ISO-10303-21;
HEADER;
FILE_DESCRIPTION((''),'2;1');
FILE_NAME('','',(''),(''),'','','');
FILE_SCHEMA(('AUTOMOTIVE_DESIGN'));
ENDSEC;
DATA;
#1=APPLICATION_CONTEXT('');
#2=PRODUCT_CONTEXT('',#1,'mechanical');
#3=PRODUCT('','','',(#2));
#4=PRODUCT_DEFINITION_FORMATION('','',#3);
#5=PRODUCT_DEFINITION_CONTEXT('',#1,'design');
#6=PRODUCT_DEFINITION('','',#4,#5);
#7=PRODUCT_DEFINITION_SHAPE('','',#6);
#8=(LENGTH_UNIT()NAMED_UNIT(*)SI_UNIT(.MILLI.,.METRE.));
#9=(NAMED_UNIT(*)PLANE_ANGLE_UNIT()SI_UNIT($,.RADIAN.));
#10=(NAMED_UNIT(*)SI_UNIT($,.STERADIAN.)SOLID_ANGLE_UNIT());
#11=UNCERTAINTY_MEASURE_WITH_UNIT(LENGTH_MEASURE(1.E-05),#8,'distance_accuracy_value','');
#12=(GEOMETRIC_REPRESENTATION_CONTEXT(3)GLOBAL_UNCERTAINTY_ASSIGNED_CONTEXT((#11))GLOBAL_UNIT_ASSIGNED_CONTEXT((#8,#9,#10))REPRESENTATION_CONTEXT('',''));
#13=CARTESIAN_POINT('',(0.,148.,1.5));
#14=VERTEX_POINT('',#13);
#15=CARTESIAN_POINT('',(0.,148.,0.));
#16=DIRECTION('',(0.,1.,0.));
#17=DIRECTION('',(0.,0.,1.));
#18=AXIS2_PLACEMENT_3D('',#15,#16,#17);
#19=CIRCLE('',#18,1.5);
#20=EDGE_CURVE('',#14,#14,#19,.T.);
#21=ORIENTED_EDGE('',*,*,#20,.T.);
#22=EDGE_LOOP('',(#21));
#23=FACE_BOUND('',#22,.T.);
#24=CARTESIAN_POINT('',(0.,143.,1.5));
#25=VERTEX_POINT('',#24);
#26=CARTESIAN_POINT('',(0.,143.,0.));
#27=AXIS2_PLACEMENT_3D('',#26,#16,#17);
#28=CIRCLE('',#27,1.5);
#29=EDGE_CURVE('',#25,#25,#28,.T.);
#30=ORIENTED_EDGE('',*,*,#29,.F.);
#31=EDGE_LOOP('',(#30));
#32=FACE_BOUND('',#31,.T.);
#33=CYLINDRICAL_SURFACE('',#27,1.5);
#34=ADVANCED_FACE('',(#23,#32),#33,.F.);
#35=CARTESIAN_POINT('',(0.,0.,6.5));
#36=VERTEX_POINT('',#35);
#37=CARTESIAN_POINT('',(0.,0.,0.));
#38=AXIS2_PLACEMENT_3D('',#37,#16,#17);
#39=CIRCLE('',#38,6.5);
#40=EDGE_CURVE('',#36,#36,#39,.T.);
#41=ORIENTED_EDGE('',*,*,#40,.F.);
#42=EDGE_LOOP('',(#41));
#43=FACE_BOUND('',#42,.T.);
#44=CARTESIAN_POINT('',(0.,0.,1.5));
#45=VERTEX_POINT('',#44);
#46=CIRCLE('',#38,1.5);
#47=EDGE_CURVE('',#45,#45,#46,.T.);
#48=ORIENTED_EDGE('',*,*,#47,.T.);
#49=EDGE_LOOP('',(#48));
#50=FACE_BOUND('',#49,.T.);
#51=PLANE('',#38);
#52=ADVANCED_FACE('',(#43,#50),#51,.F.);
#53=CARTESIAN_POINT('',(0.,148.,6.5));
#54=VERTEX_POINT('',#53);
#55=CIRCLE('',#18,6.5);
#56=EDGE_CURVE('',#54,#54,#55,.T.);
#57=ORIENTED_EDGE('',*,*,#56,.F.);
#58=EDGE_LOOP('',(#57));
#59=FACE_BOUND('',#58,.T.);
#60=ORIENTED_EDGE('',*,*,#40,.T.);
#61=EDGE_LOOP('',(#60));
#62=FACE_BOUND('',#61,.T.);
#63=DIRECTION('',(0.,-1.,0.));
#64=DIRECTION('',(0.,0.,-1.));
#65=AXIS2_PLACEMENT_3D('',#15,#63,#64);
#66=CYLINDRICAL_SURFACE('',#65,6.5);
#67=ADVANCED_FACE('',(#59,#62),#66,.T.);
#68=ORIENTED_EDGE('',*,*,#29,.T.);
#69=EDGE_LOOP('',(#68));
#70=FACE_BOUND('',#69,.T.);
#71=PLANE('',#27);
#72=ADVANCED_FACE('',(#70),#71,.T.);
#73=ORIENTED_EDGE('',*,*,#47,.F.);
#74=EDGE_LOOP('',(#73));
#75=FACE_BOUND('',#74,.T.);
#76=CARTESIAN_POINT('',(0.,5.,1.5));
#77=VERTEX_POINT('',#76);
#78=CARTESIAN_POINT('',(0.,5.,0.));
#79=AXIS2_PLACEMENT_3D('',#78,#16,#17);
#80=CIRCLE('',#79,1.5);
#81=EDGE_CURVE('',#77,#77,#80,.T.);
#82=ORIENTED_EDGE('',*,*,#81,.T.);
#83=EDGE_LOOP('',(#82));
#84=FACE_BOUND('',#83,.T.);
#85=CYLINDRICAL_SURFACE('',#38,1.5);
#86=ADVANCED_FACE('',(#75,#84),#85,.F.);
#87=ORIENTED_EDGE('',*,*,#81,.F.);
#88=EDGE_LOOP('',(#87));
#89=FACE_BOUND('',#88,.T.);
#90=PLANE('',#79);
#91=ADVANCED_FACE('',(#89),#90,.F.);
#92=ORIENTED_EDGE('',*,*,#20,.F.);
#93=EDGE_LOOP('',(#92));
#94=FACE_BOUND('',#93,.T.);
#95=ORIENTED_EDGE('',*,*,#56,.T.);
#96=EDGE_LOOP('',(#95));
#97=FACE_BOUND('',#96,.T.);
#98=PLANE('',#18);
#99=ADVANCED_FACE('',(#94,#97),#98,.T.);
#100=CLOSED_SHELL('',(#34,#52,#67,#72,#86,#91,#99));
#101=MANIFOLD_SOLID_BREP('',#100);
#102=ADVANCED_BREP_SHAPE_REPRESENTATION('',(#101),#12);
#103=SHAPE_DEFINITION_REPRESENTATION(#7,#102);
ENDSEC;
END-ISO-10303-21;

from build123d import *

# Parameters (mm, degrees)
SKETCH1_R           = 6.5
BOSS_EXTRUDE1_DEPTH = 148
SKETCH2_R           = 1.5
CUT_EXTRUDE1_DEPTH  = 5
LPATTERN1_COUNT     = 2
LPATTERN1_PITCH     = 143


with BuildPart() as part:
    # Sketch1 → Boss-Extrude1 (new body)
    with BuildSketch(Plane(origin=(0, 0, 0), x_dir=(1, 0, 0), z_dir=(0, 1, 0))):
        with Locations(Location((0, 0, 0), (0, 0, 270))):
            Circle(SKETCH1_R)
    extrude(amount=BOSS_EXTRUDE1_DEPTH)

    # Sketch2 → Cut-Extrude1 (cut)
    with BuildSketch(Plane(origin=(0, 148, 0), x_dir=(1, 0, 0), z_dir=(0, 1, 0))):
        with Locations(Location((0, 0, 0), (0, 0, 270))):
            Circle(SKETCH2_R)
    cut_extrude1 = extrude(amount=-CUT_EXTRUDE1_DEPTH, mode=Mode.SUBTRACT)

    # LPattern1: Cut-Extrude1 ×2
    with Locations(*[(0, -i * LPATTERN1_PITCH, 0) for i in range(1, LPATTERN1_COUNT)]):
        add(cut_extrude1, mode=Mode.SUBTRACT)


solid = part.part
